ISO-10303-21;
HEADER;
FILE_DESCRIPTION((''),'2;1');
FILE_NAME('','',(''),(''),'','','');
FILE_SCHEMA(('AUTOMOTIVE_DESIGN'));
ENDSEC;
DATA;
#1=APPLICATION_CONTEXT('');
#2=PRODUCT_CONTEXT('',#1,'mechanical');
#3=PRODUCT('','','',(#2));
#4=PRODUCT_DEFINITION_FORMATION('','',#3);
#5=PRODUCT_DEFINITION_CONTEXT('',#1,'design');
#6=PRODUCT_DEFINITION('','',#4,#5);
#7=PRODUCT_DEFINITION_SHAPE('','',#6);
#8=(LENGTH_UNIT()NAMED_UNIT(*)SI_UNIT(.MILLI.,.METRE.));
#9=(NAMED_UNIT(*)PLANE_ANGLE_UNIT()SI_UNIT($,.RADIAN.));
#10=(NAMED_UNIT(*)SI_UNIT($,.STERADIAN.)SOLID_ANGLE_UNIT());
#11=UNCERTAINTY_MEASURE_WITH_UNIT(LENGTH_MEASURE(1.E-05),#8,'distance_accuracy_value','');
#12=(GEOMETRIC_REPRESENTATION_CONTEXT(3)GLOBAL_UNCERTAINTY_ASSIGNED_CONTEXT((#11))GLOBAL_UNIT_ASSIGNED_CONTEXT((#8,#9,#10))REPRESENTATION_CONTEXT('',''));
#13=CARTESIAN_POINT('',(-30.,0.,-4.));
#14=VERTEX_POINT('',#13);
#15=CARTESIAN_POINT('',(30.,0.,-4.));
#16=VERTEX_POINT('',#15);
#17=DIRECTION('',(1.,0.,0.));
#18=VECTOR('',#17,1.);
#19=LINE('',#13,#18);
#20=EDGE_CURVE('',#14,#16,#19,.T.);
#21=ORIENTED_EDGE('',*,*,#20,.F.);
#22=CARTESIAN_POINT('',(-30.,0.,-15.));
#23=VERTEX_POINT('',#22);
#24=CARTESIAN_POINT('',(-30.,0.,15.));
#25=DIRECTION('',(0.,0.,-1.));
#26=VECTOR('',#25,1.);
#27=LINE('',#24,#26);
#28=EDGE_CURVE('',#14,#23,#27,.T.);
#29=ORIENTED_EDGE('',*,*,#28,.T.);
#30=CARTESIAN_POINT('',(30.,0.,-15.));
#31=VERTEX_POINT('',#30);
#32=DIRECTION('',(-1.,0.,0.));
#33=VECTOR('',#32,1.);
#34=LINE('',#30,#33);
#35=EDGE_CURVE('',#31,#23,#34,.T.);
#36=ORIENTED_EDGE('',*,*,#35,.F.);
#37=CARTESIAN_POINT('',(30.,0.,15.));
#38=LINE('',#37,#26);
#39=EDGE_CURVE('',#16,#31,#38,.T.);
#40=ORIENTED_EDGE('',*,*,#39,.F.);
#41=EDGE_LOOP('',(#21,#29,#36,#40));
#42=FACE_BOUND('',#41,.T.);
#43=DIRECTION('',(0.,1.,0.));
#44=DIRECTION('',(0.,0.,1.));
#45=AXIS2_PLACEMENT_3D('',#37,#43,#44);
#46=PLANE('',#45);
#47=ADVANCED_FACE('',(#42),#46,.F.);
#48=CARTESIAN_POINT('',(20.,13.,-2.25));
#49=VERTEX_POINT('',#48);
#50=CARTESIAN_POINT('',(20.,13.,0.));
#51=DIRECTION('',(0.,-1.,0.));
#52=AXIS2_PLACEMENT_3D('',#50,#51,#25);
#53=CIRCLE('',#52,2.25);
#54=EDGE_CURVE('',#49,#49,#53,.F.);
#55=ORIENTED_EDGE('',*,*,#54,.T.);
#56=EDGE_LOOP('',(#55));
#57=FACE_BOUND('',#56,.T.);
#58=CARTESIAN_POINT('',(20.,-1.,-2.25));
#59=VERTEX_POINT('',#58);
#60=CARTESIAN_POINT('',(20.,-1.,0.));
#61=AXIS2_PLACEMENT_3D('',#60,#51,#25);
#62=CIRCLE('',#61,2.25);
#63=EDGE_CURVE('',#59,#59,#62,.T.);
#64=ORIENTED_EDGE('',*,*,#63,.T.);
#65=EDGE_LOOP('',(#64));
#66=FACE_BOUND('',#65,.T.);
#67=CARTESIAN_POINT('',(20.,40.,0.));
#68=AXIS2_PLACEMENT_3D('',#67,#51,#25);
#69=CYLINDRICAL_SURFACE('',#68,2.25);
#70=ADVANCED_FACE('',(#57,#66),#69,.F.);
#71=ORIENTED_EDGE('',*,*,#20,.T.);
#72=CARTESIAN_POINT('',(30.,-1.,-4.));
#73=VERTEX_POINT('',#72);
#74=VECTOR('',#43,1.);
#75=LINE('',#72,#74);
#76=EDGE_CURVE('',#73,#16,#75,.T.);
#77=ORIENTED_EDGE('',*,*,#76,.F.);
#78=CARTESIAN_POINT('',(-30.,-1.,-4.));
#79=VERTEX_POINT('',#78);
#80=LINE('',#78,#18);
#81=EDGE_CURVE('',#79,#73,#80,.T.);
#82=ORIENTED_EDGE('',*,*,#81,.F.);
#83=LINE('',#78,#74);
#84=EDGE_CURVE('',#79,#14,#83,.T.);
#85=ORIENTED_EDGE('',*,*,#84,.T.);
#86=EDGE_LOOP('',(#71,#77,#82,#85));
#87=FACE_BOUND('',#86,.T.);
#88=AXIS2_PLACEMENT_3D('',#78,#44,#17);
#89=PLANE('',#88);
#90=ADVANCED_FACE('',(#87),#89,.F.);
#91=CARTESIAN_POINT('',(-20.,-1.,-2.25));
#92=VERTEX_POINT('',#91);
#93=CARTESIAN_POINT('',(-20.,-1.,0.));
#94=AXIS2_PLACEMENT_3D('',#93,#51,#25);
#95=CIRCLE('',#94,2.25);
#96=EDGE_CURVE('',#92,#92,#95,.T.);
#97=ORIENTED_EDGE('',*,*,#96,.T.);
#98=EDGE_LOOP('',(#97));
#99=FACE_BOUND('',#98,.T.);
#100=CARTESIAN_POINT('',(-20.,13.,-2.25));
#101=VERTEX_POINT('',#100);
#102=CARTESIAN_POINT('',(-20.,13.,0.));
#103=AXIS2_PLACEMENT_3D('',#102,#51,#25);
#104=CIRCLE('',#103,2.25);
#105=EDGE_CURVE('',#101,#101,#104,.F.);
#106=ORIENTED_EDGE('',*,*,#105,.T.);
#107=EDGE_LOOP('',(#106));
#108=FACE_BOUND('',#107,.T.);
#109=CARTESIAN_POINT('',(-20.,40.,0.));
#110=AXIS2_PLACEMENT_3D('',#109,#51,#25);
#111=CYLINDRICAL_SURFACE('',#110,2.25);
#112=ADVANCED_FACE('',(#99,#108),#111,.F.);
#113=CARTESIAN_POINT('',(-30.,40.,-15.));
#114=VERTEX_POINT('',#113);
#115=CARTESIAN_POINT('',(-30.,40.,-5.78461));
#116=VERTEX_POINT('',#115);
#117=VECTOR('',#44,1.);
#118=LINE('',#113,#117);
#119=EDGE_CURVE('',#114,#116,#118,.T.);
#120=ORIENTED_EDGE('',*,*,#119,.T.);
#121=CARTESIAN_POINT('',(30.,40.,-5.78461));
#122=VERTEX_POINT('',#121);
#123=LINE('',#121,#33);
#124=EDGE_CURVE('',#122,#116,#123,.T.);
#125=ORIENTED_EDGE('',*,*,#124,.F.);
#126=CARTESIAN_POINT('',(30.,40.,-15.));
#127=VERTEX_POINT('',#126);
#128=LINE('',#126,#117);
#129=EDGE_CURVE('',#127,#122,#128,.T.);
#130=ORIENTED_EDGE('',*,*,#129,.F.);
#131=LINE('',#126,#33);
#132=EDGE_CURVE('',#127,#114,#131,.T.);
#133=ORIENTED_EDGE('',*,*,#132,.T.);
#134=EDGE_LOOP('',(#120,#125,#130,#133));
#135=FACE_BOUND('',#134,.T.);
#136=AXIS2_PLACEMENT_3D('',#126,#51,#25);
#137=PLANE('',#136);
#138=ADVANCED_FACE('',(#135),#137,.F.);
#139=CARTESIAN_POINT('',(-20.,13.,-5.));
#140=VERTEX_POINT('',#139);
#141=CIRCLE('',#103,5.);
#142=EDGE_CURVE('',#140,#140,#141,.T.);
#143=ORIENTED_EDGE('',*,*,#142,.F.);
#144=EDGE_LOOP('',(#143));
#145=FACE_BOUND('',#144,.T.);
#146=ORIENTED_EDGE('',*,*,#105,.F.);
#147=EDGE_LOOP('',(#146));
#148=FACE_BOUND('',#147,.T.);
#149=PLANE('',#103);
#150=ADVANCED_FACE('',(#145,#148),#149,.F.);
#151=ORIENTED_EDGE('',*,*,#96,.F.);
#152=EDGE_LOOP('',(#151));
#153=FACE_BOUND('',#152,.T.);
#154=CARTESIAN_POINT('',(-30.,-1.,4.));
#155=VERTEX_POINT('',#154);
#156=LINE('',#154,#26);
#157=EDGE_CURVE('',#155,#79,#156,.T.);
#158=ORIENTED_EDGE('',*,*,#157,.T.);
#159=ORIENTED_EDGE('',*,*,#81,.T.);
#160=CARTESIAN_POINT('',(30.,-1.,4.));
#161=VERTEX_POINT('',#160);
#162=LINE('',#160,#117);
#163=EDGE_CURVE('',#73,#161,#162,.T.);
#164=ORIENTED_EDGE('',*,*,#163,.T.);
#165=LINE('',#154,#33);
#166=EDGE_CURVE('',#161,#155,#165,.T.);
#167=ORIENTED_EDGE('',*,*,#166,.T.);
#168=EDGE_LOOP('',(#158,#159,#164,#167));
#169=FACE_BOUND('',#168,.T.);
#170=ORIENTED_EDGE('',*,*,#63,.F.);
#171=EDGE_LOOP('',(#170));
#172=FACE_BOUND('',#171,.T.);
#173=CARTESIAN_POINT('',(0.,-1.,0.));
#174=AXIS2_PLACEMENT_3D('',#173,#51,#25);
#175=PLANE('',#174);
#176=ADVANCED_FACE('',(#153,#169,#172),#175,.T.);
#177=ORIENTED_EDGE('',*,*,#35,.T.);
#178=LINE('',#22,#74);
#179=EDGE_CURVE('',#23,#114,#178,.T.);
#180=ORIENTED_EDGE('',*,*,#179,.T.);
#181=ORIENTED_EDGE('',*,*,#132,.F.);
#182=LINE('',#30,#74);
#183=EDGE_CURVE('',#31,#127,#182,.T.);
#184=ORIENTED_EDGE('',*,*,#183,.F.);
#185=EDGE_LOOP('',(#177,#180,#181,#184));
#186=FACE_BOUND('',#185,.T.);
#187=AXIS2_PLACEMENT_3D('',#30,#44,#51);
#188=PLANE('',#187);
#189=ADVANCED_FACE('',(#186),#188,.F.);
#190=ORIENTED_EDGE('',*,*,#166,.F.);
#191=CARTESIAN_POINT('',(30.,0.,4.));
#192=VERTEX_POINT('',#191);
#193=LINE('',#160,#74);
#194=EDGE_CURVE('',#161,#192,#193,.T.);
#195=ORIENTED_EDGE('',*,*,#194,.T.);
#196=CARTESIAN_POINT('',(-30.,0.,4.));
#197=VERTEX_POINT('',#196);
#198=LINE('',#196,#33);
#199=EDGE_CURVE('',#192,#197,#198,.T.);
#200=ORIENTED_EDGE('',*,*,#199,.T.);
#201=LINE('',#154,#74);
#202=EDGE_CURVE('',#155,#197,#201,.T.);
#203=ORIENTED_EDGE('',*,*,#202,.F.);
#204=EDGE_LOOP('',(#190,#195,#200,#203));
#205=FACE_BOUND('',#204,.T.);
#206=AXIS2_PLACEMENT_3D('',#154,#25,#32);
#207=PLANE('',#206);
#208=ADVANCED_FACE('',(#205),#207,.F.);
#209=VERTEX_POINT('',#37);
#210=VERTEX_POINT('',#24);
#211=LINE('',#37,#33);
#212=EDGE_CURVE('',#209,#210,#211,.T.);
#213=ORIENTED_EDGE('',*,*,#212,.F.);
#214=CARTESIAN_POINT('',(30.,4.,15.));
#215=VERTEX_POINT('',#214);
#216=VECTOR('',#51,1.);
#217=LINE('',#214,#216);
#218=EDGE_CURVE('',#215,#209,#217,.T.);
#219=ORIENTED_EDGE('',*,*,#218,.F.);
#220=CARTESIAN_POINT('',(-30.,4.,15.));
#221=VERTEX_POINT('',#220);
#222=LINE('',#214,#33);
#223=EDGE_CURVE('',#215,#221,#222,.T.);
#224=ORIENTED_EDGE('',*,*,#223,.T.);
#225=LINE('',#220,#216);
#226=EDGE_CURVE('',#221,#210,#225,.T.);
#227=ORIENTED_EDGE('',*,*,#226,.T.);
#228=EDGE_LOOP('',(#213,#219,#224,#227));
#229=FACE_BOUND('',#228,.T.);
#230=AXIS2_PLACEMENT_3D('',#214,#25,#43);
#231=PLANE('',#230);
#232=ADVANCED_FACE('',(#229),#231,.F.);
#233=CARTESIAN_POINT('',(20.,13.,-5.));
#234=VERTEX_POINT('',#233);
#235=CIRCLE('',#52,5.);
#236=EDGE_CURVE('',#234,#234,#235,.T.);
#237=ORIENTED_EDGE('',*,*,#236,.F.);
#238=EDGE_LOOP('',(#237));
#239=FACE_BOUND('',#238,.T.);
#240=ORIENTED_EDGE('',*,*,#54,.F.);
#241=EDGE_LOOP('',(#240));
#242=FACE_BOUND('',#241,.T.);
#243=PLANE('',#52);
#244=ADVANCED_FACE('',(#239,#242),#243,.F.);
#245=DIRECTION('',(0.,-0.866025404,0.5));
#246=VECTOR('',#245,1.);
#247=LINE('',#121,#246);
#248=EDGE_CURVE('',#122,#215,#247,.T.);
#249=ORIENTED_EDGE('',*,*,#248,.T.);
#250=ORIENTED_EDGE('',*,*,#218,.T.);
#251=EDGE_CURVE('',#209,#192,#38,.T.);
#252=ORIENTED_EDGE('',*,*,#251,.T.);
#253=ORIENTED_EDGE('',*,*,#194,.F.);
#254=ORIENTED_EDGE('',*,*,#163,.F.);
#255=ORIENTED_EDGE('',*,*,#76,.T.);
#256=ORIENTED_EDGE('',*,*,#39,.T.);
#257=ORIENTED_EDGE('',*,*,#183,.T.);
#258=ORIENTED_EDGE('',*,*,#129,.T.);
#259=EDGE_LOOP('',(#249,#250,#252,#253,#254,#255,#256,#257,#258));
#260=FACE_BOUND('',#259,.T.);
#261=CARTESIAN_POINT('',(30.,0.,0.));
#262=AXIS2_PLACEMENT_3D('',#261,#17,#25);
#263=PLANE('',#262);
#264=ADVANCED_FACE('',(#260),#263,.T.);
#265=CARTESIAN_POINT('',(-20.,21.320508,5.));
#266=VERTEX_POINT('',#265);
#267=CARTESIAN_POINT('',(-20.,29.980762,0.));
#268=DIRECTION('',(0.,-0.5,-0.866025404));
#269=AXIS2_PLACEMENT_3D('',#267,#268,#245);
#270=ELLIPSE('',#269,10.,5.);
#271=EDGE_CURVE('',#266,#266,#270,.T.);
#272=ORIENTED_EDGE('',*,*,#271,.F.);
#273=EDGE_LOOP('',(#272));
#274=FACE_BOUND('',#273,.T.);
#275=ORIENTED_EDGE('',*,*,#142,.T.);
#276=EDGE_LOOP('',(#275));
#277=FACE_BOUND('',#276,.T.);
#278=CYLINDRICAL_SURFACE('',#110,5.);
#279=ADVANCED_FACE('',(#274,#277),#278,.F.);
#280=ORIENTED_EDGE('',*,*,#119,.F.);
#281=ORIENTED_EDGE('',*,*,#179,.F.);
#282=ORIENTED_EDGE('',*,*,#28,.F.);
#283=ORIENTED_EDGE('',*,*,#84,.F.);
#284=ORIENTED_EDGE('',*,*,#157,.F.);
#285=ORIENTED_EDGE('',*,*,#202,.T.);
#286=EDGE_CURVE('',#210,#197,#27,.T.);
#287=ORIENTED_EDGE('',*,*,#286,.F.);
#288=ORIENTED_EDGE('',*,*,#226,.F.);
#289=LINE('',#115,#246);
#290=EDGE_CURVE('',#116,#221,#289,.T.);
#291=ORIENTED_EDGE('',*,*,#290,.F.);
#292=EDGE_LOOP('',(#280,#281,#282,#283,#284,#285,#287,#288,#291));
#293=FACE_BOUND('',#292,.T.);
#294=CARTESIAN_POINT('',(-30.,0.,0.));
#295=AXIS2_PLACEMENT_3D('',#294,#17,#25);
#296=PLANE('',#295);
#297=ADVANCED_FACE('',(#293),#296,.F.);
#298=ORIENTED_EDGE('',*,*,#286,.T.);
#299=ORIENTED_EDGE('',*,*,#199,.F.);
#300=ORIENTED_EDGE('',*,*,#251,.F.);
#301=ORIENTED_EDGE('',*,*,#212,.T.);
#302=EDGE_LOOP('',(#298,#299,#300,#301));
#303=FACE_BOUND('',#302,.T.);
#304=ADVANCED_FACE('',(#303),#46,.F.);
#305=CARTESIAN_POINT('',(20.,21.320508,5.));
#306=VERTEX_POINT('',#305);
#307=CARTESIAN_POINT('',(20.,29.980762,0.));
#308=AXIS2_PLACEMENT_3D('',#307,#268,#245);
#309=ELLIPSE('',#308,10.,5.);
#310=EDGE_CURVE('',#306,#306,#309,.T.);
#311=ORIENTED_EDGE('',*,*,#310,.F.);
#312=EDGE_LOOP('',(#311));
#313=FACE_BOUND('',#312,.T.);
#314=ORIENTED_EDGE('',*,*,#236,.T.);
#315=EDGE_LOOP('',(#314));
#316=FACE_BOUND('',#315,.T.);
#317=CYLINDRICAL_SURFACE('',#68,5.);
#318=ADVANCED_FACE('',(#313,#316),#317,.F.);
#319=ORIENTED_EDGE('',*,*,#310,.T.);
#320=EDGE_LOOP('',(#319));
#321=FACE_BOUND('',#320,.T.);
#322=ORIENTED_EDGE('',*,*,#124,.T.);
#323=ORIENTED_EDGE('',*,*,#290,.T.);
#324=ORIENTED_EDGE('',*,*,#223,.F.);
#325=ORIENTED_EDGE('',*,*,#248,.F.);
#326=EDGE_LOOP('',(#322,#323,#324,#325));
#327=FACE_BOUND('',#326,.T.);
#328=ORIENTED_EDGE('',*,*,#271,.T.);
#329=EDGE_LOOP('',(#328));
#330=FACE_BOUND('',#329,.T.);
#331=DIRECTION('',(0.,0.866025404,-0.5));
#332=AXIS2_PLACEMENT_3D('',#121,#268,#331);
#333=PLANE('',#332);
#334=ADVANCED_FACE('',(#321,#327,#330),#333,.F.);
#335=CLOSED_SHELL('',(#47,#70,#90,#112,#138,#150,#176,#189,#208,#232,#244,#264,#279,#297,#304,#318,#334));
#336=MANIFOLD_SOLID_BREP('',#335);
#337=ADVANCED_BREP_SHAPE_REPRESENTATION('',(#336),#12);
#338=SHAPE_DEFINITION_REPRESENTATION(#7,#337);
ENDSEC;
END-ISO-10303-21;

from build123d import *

# Parameters (mm, degrees)
BOSS_EXTRUDE1_DEPTH = 30
SKETCH2_R           = 2.25
CUT_EXTRUDE1_DEPTH  = 53.201532545
CUT_EXTRUDE2_START  = -13
SKETCH3_R           = 5
CUT_EXTRUDE2_DEPTH  = 40.201532545
BOSS_EXTRUDE2_START = 1
SKETCH4_W           = 60
SKETCH4_H           = 8
SKETCH4_R           = 2.25
BOSS_EXTRUDE2_DEPTH = 1


with BuildPart() as part:
    # Sketch1 → Boss-Extrude1 (new, symmetric)
    with BuildSketch(Plane(origin=(0, 0, 0), x_dir=(0, 0, -1), z_dir=(1, 0, 0))):
        Polygon((-15, 0), (15, 0), (15, 40), (5.784609691, 40), (-15, 4), align=None)
    extrude(amount=BOSS_EXTRUDE1_DEPTH, both=True)

    # Sketch2 → Cut-Extrude1 (cut, through all)
    with BuildSketch(Plane.XZ):
        with Locations(Location((-20, 0, 0), (0, 0, 270))):
            Circle(SKETCH2_R)
        with Locations(Location((20, 0, 0), (0, 0, 270))):
            Circle(SKETCH2_R)
    extrude(amount=-CUT_EXTRUDE1_DEPTH, mode=Mode.SUBTRACT)

    # Sketch3 → Cut-Extrude2 (cut, through all)
    with BuildSketch(Plane.XZ.offset(CUT_EXTRUDE2_START)):
        with Locations(Location((-20, 0, 0), (0, 0, 270))):
            Circle(SKETCH3_R)
        with Locations(Location((20, 0, 0), (0, 0, 270))):
            Circle(SKETCH3_R)
    extrude(amount=-CUT_EXTRUDE2_DEPTH, mode=Mode.SUBTRACT)

    # Sketch4 → Boss-Extrude2 (add)
    with BuildSketch(Plane.XZ.offset(BOSS_EXTRUDE2_START)):
        Rectangle(SKETCH4_W, SKETCH4_H)
        with Locations(Location((-20, 0, 0), (0, 0, 270))):
            Circle(SKETCH4_R, mode=Mode.SUBTRACT)
        with Locations(Location((20, 0, 0), (0, 0, 270))):
            Circle(SKETCH4_R, mode=Mode.SUBTRACT)
    extrude(amount=-BOSS_EXTRUDE2_DEPTH)


solid = part.part
